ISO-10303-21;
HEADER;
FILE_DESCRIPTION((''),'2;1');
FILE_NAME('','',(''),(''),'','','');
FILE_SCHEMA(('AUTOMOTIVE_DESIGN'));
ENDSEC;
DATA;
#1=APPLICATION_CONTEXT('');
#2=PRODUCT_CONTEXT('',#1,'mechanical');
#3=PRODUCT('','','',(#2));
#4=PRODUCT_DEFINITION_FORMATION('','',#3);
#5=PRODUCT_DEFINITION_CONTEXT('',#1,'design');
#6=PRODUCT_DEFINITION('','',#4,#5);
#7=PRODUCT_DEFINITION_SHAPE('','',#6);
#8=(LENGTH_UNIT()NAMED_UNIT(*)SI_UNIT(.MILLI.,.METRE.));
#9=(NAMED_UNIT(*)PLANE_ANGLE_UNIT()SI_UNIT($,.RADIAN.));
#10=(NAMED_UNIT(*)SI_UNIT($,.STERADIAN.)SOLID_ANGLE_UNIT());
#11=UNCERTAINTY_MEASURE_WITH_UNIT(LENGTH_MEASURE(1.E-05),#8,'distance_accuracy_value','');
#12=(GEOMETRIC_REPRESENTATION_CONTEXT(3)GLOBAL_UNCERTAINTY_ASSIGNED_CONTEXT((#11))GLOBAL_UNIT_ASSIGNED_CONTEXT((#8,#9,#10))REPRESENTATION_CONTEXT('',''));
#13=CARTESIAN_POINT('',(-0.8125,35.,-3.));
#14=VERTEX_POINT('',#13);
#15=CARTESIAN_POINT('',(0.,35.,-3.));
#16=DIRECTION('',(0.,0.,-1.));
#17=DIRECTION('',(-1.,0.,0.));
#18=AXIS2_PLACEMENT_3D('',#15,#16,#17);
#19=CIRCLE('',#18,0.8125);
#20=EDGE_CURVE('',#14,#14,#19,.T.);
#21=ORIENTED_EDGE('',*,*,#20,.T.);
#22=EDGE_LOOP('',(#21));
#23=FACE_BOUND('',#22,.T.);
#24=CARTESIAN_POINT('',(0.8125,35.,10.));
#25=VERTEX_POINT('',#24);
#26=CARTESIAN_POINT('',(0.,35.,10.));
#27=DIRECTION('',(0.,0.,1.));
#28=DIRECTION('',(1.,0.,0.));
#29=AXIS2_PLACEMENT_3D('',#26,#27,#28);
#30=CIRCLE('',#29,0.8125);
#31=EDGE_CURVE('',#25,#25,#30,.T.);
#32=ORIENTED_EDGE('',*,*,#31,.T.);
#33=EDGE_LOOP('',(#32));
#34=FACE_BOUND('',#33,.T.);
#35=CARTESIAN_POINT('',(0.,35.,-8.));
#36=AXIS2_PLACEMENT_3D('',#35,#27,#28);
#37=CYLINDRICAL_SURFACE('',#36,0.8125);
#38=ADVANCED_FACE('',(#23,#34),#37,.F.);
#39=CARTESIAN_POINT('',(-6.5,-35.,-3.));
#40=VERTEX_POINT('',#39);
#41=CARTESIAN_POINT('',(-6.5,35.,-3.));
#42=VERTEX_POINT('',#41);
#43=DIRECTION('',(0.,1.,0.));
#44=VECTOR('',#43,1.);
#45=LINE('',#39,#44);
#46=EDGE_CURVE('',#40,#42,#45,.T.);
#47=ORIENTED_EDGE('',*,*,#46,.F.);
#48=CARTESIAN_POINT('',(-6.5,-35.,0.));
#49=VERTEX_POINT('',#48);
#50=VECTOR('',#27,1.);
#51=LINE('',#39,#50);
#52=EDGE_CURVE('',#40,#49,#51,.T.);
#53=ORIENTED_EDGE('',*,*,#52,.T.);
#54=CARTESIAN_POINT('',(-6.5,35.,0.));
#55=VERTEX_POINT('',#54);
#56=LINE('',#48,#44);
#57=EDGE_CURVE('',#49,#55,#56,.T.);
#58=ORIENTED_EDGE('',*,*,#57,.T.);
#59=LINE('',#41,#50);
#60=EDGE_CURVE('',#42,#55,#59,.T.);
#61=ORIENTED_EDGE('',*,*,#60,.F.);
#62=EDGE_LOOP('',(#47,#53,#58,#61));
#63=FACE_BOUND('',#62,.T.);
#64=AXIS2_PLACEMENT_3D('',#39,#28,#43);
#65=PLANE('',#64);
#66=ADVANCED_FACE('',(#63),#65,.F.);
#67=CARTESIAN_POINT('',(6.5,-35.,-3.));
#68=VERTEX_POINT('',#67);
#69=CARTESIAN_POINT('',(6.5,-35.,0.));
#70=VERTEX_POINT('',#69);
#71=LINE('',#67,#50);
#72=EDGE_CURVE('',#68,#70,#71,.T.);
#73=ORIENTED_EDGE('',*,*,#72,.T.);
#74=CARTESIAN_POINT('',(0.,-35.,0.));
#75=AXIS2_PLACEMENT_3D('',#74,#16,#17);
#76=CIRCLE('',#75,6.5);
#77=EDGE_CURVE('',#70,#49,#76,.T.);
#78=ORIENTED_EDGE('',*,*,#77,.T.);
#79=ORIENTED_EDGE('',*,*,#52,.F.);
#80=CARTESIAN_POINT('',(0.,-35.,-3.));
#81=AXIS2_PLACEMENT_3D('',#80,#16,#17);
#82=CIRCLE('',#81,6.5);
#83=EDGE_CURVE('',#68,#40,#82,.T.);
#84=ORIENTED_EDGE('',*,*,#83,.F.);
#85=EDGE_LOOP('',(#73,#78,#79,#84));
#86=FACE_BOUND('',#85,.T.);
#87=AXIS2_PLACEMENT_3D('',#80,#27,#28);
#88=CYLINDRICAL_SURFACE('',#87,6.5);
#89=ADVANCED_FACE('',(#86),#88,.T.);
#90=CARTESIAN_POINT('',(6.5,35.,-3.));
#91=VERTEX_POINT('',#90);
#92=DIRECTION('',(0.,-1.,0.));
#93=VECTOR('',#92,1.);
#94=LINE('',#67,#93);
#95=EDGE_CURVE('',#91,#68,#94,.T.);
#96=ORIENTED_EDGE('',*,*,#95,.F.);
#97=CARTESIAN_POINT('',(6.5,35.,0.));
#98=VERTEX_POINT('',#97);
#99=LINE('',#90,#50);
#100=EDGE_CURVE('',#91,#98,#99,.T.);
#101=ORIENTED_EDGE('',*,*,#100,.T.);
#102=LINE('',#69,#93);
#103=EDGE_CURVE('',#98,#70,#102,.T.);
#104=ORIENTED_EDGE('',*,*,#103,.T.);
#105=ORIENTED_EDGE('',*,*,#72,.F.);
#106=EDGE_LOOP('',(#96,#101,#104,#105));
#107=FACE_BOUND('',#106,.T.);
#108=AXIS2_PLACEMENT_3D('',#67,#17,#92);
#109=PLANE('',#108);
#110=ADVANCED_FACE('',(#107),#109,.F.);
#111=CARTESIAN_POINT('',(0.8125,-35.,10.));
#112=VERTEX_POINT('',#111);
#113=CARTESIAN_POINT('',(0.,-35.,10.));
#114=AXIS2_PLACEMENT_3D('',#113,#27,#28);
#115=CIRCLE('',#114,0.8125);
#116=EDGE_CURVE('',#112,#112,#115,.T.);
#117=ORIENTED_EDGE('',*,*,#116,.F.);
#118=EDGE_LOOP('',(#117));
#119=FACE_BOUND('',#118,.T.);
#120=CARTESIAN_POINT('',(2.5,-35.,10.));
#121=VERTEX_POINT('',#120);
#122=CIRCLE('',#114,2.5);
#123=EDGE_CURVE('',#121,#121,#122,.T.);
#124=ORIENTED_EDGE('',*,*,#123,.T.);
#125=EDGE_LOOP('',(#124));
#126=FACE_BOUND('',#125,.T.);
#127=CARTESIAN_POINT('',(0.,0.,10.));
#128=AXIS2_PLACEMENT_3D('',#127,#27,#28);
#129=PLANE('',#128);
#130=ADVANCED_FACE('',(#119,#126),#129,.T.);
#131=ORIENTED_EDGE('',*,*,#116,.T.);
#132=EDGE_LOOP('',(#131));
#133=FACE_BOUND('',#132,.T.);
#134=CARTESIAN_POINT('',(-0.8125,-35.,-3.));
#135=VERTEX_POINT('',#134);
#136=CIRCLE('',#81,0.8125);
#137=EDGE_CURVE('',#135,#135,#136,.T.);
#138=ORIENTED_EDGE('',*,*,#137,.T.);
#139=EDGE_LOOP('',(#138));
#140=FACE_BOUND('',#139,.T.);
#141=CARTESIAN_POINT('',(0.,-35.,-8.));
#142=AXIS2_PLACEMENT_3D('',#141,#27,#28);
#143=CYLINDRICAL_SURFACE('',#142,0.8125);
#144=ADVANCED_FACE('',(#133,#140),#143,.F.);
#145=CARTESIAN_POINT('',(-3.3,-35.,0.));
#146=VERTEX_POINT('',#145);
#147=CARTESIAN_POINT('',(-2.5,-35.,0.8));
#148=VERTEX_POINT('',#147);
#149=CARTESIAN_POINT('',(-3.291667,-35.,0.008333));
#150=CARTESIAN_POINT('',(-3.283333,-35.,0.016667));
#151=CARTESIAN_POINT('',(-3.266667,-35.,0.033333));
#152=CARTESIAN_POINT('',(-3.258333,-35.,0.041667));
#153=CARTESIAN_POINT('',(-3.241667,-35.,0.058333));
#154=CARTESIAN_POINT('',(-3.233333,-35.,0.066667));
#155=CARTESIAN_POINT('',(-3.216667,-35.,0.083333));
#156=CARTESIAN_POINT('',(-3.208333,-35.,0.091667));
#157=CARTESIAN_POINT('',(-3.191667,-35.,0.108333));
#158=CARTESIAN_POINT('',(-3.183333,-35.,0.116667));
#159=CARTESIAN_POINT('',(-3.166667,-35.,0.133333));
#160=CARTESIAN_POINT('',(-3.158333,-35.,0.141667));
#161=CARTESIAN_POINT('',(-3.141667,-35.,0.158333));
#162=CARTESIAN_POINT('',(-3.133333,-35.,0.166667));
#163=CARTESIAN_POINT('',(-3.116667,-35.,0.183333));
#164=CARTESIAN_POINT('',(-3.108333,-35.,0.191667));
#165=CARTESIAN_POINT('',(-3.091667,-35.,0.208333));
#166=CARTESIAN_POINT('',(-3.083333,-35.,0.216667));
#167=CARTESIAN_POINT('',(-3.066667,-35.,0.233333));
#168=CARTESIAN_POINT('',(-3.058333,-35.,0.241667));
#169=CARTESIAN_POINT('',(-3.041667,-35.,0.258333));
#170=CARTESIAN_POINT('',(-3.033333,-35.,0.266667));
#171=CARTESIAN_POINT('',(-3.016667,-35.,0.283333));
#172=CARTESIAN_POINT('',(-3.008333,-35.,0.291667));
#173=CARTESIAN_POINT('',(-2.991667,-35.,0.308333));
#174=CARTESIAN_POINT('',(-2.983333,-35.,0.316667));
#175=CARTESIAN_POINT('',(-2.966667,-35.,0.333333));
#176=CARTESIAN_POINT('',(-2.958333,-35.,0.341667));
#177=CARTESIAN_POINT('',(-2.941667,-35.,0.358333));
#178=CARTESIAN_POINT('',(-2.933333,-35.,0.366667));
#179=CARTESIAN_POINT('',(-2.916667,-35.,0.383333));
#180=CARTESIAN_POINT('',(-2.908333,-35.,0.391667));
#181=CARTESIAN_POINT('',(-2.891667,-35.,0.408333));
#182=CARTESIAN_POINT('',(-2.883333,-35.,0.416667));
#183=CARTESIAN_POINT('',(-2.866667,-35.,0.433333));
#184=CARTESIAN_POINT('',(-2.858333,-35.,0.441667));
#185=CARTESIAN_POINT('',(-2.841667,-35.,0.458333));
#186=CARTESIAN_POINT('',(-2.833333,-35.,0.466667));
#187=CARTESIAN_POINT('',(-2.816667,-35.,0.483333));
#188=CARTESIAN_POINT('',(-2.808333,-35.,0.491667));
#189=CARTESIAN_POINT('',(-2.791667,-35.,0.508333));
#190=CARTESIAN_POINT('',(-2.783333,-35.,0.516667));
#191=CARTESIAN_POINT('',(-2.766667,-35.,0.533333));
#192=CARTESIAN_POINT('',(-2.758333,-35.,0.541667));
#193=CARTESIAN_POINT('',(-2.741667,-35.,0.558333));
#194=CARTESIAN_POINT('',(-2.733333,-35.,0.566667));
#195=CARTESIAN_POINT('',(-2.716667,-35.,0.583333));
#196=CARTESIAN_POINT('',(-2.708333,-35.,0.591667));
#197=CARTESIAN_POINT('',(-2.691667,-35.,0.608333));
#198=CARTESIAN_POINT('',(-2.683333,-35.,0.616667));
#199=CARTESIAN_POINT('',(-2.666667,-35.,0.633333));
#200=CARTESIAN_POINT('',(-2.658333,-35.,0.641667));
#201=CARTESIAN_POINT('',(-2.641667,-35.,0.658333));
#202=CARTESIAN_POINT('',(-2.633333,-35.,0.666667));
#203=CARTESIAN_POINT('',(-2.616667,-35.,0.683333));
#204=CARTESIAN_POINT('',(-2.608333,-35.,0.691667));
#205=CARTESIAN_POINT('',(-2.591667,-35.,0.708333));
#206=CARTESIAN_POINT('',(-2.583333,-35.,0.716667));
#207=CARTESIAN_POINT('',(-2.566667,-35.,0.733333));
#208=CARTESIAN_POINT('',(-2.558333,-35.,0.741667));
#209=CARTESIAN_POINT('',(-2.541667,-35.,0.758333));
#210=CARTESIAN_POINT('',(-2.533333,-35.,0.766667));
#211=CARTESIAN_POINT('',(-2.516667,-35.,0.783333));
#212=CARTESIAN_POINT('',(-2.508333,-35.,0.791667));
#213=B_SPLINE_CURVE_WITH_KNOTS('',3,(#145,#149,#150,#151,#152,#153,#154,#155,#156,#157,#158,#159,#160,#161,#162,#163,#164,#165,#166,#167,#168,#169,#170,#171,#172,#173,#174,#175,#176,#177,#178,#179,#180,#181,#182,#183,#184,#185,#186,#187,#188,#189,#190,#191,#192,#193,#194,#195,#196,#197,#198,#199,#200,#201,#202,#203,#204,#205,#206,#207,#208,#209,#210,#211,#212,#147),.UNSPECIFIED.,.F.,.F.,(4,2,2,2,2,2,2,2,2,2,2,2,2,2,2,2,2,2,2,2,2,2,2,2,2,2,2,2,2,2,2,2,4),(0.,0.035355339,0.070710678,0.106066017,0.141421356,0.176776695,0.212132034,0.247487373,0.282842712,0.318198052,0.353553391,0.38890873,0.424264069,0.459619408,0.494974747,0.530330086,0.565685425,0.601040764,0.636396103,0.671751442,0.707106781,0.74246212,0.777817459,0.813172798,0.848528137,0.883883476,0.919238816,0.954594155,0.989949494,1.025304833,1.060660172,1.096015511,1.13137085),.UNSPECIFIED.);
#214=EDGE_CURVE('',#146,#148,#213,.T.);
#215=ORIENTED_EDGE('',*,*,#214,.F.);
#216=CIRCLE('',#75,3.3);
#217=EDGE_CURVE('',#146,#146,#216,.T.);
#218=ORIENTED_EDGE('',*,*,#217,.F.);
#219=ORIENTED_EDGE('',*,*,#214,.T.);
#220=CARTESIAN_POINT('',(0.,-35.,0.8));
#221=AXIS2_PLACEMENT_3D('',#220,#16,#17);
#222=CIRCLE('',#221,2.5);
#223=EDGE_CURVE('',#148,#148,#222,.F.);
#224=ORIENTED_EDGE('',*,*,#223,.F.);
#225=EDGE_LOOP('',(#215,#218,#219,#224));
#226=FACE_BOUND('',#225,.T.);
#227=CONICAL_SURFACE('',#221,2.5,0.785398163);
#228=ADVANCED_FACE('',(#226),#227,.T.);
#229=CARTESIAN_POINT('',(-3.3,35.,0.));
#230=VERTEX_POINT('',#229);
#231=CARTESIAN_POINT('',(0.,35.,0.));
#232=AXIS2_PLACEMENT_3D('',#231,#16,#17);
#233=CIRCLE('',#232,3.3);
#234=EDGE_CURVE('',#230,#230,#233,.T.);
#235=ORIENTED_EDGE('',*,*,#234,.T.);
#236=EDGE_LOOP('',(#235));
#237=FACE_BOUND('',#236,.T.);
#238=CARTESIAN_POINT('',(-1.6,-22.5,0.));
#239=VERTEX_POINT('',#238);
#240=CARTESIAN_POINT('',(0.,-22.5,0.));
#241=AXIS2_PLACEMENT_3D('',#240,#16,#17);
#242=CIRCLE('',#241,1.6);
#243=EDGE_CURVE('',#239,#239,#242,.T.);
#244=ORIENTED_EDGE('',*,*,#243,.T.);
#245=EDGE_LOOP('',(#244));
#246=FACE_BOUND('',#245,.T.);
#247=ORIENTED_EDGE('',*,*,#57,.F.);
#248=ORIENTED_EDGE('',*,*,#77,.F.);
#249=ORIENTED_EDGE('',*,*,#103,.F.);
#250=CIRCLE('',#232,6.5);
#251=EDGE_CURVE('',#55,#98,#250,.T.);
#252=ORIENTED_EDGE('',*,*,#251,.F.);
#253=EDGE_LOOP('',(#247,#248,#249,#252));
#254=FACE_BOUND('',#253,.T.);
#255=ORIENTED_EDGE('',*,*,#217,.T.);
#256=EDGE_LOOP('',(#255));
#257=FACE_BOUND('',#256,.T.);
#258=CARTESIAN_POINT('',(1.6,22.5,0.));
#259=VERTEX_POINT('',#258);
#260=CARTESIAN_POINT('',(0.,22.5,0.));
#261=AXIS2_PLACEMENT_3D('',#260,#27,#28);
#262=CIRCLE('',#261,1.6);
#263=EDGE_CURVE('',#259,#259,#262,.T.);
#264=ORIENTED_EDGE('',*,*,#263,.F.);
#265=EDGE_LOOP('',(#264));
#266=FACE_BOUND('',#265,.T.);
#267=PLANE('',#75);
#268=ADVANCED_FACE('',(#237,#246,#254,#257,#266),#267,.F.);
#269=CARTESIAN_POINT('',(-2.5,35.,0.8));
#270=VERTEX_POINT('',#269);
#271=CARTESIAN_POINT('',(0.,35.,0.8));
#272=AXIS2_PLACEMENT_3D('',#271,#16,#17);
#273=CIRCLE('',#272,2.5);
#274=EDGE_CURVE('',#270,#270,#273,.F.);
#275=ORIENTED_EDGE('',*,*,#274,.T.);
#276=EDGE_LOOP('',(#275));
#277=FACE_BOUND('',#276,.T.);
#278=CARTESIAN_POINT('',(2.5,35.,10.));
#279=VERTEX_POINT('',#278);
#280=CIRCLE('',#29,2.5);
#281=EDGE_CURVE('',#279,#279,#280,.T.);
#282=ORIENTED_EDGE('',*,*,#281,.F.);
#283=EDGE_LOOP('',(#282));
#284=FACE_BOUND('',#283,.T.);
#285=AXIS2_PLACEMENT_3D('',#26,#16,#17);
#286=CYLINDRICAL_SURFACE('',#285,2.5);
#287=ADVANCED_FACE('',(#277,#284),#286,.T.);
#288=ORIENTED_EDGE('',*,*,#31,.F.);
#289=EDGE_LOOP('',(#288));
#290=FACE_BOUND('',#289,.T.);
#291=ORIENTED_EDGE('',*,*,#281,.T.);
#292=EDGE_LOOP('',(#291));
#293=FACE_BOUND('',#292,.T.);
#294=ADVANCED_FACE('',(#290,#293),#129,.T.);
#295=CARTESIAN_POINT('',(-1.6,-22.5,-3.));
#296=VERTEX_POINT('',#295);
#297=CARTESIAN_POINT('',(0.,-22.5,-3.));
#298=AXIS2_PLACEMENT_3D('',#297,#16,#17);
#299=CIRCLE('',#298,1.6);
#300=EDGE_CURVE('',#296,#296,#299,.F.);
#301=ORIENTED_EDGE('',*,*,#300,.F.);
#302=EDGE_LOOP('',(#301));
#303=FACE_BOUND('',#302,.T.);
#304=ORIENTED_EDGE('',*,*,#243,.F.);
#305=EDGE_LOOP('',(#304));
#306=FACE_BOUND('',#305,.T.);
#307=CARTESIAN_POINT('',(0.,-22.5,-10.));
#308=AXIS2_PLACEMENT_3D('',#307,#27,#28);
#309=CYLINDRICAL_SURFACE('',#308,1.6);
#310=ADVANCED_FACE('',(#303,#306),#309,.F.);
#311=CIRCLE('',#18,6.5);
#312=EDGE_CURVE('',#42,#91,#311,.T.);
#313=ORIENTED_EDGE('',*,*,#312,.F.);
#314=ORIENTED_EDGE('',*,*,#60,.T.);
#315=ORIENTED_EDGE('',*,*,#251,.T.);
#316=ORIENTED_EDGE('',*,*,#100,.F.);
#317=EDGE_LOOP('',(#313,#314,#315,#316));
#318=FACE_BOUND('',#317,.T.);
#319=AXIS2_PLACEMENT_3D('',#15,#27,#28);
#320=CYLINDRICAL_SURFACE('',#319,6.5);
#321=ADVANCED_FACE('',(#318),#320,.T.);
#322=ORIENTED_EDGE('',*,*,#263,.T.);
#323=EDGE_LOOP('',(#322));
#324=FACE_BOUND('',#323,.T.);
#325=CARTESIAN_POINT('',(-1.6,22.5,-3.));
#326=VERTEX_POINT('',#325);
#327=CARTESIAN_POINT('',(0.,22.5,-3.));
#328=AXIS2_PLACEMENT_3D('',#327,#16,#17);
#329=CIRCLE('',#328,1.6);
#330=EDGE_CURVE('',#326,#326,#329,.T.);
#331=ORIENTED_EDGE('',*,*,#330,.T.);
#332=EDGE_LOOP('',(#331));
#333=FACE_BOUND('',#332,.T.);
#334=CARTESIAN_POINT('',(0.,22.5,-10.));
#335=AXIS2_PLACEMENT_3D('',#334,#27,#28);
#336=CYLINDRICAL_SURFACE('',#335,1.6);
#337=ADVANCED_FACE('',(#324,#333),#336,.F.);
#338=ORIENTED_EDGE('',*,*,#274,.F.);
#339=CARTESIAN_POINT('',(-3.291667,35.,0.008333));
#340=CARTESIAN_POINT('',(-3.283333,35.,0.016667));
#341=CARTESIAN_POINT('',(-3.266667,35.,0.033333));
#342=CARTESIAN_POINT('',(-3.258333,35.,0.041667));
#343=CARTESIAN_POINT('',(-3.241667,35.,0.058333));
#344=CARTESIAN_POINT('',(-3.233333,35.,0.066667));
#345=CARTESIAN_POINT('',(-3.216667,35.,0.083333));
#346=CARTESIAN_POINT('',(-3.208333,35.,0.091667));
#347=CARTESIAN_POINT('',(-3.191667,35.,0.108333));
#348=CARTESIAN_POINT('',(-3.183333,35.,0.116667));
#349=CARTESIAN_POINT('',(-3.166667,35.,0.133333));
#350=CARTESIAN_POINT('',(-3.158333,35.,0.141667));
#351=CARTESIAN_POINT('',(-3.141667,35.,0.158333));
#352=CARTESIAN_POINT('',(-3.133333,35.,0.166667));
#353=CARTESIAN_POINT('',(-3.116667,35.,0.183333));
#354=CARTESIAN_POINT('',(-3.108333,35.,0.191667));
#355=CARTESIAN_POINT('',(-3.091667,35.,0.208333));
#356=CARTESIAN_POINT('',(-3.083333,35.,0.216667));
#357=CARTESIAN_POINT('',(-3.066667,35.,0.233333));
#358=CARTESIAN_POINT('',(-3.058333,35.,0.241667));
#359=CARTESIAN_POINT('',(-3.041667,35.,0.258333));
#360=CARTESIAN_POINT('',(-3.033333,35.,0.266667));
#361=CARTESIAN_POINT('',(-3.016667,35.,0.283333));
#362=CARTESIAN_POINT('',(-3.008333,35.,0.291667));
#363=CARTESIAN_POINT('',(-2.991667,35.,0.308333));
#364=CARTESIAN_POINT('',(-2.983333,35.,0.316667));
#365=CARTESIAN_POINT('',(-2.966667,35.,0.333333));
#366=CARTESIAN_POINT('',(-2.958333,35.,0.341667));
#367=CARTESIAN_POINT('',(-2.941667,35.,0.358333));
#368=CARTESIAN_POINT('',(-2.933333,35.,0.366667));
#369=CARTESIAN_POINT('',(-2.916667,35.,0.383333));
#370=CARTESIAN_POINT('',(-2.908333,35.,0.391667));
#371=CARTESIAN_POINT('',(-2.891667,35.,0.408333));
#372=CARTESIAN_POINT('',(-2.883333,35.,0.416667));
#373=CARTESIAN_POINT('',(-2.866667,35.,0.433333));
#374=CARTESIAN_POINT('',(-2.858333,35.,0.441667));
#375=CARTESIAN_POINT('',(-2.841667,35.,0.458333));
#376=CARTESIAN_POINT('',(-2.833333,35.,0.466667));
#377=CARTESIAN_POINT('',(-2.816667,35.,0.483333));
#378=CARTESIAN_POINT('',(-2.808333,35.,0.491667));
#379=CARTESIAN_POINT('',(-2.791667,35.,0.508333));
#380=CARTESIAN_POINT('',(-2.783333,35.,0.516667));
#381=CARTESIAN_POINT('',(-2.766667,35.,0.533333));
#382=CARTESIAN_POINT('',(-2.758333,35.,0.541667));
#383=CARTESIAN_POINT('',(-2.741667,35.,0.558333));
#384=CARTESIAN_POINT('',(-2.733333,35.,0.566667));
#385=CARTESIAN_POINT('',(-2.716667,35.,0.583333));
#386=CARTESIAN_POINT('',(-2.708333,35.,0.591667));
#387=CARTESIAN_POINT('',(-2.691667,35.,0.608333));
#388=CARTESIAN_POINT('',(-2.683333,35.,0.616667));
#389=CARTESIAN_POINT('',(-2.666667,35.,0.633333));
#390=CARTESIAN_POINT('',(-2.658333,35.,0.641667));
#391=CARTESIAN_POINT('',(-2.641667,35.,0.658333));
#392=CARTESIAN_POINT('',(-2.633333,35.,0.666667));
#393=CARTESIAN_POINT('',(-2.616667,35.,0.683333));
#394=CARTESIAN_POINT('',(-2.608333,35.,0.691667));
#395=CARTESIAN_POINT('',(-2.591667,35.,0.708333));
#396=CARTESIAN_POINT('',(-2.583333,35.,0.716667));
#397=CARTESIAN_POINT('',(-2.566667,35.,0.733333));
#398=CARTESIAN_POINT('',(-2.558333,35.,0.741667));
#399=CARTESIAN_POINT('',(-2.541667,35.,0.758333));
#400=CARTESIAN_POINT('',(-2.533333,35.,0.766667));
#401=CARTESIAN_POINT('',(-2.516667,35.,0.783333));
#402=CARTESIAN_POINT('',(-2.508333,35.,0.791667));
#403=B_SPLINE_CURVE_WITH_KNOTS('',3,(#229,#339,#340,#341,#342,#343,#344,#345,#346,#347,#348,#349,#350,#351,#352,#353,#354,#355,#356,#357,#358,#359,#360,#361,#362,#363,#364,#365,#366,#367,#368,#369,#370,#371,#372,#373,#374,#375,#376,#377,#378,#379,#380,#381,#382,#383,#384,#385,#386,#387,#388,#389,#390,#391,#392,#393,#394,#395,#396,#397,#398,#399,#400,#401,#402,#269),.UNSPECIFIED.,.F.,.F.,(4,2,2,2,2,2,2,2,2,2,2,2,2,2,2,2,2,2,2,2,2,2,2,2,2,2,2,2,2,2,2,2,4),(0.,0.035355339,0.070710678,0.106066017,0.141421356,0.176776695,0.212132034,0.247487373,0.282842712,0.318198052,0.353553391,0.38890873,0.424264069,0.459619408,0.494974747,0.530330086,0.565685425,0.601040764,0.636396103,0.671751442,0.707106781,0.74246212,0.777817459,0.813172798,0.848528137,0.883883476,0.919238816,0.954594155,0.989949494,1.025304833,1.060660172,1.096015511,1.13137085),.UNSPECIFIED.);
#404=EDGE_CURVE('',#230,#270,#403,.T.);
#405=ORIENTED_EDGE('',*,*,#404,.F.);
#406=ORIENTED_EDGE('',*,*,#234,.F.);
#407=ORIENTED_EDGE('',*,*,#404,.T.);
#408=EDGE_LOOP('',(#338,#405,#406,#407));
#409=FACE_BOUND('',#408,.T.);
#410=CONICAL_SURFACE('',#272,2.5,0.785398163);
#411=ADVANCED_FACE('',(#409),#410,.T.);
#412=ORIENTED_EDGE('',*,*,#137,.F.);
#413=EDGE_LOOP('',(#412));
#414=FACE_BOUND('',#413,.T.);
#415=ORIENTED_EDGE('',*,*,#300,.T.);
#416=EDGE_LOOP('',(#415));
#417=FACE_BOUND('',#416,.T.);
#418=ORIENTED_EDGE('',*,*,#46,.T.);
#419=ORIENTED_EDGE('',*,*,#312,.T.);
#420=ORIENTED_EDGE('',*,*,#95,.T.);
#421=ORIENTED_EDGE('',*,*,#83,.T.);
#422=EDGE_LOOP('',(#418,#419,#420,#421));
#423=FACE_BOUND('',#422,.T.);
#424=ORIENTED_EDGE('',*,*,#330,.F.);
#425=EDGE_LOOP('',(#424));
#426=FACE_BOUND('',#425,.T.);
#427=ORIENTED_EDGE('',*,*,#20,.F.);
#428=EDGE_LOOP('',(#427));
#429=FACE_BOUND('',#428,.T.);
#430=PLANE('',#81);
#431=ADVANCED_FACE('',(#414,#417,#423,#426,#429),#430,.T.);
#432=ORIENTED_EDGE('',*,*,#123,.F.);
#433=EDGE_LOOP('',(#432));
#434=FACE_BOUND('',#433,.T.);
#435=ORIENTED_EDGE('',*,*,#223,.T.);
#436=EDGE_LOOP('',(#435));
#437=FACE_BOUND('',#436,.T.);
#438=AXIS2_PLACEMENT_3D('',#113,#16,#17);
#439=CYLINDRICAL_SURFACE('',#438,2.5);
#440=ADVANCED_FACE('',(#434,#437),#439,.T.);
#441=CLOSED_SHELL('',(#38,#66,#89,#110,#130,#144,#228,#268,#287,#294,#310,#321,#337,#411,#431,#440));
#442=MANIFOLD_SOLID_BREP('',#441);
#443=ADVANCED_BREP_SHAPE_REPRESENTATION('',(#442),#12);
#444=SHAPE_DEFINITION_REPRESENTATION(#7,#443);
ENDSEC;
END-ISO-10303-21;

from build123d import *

# Parameters (mm, degrees)
SKETCH1_R             = 2.5
BOSS_EXTRUDE1_DEPTH   = 10
BOSS_EXTRUDE1_2_DEPTH = 10
BOSS_EXTRUDE2_DEPTH   = 3
SKETCH3_R             = 0.8125
CUT_EXTRUDE1_DEPTH    = 18
CHAMFER1_SIZE         = 0.8
SKETCH4_R             = 1.6
CUT_EXTRUDE2_DEPTH    = 10


with BuildPart() as part:
    # Sketch1 → Boss-Extrude1 (new body)
    with BuildSketch(Plane(origin=(0, 0, 0), x_dir=(0, 1, 0), z_dir=(0, 0, 1))):
        with Locations((-35, 0)):
            Circle(SKETCH1_R)
    extrude(amount=BOSS_EXTRUDE1_DEPTH)



with BuildPart() as body_2:
    # Sketch1 → Boss-Extrude1 2 (new body)
    with BuildSketch(Plane(origin=(0, 0, 0), x_dir=(0, 1, 0), z_dir=(0, 0, 1))):
        with Locations((35, 0)):
            Circle(SKETCH1_R)
    extrude(amount=BOSS_EXTRUDE1_2_DEPTH)


with BuildPart() as part_1:
    add(part.part)

    add(body_2.part)  # Boss-Extrude2 merges body 2
    # Sketch2 → Boss-Extrude2 (add)
    with BuildSketch(Plane(origin=(0, 0, 0), x_dir=(1, 0, 0), z_dir=(0, 0, -1))):
        with BuildLine():
            Line((6.5, 35), (6.5, -35))
            ThreePointArc((6.5, -35), (0, -41.5), (-6.5, -35))
            Line((-6.5, -35), (-6.5, 35))
            ThreePointArc((-6.5, 35), (0, 41.5), (6.5, 35))
        make_face()
    extrude(amount=BOSS_EXTRUDE2_DEPTH)

    # Sketch3 → Cut-Extrude1 (cut)
    with BuildSketch(Plane.XY.offset(10)):
        with Locations((0, -35)):
            Circle(SKETCH3_R)
        with Locations((0, 35)):
            Circle(SKETCH3_R)
    extrude(amount=-CUT_EXTRUDE1_DEPTH, mode=Mode.SUBTRACT)

    # Chamfer1
    chamfer1_edges = [part_1.edges().sort_by_distance(p)[0] for p in [
        (0, 32.5, 0),
        (0, -37.5, 0),
    ]]
    chamfer(chamfer1_edges, length=CHAMFER1_SIZE)

    # Sketch4 → Cut-Extrude2 (cut)
    with BuildSketch(Plane.XY):
        with Locations((0, 22.5)):
            Circle(SKETCH4_R)
        with Locations(Location((0, -22.5, 0), (0, 0, 180))):
            Circle(SKETCH4_R)
    extrude(amount=-CUT_EXTRUDE2_DEPTH, mode=Mode.SUBTRACT)


solid = part_1.part
